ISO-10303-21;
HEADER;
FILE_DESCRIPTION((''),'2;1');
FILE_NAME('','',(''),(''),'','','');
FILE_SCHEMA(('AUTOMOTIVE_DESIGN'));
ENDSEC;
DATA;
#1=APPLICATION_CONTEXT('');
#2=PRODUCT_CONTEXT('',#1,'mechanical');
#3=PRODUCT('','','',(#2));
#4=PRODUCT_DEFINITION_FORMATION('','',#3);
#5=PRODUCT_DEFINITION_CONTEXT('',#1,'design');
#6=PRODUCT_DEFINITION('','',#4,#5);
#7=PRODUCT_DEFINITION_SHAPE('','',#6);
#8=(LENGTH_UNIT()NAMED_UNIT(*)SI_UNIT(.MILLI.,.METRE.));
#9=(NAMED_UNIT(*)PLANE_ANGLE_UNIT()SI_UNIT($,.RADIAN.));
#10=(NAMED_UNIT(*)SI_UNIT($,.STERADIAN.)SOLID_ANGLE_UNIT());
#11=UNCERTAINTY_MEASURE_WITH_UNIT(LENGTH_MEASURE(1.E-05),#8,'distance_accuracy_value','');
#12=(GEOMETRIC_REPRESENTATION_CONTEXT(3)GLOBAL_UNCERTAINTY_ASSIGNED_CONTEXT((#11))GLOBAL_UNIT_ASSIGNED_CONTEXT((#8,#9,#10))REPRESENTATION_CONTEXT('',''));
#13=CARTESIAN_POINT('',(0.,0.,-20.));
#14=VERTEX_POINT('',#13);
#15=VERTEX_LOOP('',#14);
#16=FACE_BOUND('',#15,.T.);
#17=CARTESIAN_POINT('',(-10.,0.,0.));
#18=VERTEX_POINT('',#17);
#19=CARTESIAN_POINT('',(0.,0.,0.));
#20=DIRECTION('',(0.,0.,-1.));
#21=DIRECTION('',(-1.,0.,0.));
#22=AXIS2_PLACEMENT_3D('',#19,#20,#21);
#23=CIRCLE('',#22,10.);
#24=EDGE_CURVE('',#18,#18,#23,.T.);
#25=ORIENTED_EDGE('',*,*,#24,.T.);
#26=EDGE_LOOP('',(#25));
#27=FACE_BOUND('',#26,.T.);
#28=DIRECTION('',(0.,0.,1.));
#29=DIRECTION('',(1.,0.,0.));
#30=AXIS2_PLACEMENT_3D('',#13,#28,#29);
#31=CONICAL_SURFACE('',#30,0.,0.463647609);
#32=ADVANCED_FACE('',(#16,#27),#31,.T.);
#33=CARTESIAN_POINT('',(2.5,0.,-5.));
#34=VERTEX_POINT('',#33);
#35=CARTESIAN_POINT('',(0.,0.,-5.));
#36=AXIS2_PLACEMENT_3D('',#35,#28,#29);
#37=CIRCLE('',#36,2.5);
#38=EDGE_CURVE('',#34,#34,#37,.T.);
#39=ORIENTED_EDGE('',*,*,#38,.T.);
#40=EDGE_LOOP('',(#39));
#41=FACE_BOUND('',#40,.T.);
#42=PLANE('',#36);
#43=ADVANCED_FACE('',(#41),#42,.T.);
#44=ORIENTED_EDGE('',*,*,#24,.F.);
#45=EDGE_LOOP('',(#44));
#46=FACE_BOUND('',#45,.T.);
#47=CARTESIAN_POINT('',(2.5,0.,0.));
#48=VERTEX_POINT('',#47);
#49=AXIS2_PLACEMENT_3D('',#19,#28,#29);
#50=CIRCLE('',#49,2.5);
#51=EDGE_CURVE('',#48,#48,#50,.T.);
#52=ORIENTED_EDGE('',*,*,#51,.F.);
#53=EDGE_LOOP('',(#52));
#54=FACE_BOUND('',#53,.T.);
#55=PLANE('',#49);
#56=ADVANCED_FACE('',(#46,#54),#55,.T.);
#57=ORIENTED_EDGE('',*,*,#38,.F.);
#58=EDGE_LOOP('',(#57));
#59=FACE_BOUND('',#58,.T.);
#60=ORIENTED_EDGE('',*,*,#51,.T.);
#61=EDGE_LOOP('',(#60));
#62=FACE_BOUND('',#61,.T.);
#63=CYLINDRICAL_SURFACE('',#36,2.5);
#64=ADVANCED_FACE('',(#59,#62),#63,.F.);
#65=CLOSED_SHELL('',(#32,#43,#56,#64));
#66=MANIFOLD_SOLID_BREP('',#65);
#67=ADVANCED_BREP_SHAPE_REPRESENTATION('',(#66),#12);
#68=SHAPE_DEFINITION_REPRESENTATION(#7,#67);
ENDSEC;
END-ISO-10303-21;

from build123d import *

# Parameters (mm, degrees)
SKETCH3_R          = 2.5
CUT_EXTRUDE2_DEPTH = 5


with BuildPart() as part:
    # Sketch2 → Revolve1 (revolve)
    with BuildSketch(Plane(origin=(0, 0, 0), x_dir=(1, 0, 0), z_dir=(0, 1, 0)), mode=Mode.PRIVATE) as revolve1_sk:
        Polygon((0, 0), (-10, 0), (0, 20), align=None)
    revolve(revolve1_sk.sketch.rotate(Axis((0, 0, -20), (0, 0, 1)), 180), axis=Axis((0, 0, -20), (0, 0, 1)))

    # Sketch3 → Cut-Extrude2 (cut)
    with BuildSketch(Plane.XY):
        Circle(SKETCH3_R)
    extrude(amount=-CUT_EXTRUDE2_DEPTH, mode=Mode.SUBTRACT)


solid = part.part
